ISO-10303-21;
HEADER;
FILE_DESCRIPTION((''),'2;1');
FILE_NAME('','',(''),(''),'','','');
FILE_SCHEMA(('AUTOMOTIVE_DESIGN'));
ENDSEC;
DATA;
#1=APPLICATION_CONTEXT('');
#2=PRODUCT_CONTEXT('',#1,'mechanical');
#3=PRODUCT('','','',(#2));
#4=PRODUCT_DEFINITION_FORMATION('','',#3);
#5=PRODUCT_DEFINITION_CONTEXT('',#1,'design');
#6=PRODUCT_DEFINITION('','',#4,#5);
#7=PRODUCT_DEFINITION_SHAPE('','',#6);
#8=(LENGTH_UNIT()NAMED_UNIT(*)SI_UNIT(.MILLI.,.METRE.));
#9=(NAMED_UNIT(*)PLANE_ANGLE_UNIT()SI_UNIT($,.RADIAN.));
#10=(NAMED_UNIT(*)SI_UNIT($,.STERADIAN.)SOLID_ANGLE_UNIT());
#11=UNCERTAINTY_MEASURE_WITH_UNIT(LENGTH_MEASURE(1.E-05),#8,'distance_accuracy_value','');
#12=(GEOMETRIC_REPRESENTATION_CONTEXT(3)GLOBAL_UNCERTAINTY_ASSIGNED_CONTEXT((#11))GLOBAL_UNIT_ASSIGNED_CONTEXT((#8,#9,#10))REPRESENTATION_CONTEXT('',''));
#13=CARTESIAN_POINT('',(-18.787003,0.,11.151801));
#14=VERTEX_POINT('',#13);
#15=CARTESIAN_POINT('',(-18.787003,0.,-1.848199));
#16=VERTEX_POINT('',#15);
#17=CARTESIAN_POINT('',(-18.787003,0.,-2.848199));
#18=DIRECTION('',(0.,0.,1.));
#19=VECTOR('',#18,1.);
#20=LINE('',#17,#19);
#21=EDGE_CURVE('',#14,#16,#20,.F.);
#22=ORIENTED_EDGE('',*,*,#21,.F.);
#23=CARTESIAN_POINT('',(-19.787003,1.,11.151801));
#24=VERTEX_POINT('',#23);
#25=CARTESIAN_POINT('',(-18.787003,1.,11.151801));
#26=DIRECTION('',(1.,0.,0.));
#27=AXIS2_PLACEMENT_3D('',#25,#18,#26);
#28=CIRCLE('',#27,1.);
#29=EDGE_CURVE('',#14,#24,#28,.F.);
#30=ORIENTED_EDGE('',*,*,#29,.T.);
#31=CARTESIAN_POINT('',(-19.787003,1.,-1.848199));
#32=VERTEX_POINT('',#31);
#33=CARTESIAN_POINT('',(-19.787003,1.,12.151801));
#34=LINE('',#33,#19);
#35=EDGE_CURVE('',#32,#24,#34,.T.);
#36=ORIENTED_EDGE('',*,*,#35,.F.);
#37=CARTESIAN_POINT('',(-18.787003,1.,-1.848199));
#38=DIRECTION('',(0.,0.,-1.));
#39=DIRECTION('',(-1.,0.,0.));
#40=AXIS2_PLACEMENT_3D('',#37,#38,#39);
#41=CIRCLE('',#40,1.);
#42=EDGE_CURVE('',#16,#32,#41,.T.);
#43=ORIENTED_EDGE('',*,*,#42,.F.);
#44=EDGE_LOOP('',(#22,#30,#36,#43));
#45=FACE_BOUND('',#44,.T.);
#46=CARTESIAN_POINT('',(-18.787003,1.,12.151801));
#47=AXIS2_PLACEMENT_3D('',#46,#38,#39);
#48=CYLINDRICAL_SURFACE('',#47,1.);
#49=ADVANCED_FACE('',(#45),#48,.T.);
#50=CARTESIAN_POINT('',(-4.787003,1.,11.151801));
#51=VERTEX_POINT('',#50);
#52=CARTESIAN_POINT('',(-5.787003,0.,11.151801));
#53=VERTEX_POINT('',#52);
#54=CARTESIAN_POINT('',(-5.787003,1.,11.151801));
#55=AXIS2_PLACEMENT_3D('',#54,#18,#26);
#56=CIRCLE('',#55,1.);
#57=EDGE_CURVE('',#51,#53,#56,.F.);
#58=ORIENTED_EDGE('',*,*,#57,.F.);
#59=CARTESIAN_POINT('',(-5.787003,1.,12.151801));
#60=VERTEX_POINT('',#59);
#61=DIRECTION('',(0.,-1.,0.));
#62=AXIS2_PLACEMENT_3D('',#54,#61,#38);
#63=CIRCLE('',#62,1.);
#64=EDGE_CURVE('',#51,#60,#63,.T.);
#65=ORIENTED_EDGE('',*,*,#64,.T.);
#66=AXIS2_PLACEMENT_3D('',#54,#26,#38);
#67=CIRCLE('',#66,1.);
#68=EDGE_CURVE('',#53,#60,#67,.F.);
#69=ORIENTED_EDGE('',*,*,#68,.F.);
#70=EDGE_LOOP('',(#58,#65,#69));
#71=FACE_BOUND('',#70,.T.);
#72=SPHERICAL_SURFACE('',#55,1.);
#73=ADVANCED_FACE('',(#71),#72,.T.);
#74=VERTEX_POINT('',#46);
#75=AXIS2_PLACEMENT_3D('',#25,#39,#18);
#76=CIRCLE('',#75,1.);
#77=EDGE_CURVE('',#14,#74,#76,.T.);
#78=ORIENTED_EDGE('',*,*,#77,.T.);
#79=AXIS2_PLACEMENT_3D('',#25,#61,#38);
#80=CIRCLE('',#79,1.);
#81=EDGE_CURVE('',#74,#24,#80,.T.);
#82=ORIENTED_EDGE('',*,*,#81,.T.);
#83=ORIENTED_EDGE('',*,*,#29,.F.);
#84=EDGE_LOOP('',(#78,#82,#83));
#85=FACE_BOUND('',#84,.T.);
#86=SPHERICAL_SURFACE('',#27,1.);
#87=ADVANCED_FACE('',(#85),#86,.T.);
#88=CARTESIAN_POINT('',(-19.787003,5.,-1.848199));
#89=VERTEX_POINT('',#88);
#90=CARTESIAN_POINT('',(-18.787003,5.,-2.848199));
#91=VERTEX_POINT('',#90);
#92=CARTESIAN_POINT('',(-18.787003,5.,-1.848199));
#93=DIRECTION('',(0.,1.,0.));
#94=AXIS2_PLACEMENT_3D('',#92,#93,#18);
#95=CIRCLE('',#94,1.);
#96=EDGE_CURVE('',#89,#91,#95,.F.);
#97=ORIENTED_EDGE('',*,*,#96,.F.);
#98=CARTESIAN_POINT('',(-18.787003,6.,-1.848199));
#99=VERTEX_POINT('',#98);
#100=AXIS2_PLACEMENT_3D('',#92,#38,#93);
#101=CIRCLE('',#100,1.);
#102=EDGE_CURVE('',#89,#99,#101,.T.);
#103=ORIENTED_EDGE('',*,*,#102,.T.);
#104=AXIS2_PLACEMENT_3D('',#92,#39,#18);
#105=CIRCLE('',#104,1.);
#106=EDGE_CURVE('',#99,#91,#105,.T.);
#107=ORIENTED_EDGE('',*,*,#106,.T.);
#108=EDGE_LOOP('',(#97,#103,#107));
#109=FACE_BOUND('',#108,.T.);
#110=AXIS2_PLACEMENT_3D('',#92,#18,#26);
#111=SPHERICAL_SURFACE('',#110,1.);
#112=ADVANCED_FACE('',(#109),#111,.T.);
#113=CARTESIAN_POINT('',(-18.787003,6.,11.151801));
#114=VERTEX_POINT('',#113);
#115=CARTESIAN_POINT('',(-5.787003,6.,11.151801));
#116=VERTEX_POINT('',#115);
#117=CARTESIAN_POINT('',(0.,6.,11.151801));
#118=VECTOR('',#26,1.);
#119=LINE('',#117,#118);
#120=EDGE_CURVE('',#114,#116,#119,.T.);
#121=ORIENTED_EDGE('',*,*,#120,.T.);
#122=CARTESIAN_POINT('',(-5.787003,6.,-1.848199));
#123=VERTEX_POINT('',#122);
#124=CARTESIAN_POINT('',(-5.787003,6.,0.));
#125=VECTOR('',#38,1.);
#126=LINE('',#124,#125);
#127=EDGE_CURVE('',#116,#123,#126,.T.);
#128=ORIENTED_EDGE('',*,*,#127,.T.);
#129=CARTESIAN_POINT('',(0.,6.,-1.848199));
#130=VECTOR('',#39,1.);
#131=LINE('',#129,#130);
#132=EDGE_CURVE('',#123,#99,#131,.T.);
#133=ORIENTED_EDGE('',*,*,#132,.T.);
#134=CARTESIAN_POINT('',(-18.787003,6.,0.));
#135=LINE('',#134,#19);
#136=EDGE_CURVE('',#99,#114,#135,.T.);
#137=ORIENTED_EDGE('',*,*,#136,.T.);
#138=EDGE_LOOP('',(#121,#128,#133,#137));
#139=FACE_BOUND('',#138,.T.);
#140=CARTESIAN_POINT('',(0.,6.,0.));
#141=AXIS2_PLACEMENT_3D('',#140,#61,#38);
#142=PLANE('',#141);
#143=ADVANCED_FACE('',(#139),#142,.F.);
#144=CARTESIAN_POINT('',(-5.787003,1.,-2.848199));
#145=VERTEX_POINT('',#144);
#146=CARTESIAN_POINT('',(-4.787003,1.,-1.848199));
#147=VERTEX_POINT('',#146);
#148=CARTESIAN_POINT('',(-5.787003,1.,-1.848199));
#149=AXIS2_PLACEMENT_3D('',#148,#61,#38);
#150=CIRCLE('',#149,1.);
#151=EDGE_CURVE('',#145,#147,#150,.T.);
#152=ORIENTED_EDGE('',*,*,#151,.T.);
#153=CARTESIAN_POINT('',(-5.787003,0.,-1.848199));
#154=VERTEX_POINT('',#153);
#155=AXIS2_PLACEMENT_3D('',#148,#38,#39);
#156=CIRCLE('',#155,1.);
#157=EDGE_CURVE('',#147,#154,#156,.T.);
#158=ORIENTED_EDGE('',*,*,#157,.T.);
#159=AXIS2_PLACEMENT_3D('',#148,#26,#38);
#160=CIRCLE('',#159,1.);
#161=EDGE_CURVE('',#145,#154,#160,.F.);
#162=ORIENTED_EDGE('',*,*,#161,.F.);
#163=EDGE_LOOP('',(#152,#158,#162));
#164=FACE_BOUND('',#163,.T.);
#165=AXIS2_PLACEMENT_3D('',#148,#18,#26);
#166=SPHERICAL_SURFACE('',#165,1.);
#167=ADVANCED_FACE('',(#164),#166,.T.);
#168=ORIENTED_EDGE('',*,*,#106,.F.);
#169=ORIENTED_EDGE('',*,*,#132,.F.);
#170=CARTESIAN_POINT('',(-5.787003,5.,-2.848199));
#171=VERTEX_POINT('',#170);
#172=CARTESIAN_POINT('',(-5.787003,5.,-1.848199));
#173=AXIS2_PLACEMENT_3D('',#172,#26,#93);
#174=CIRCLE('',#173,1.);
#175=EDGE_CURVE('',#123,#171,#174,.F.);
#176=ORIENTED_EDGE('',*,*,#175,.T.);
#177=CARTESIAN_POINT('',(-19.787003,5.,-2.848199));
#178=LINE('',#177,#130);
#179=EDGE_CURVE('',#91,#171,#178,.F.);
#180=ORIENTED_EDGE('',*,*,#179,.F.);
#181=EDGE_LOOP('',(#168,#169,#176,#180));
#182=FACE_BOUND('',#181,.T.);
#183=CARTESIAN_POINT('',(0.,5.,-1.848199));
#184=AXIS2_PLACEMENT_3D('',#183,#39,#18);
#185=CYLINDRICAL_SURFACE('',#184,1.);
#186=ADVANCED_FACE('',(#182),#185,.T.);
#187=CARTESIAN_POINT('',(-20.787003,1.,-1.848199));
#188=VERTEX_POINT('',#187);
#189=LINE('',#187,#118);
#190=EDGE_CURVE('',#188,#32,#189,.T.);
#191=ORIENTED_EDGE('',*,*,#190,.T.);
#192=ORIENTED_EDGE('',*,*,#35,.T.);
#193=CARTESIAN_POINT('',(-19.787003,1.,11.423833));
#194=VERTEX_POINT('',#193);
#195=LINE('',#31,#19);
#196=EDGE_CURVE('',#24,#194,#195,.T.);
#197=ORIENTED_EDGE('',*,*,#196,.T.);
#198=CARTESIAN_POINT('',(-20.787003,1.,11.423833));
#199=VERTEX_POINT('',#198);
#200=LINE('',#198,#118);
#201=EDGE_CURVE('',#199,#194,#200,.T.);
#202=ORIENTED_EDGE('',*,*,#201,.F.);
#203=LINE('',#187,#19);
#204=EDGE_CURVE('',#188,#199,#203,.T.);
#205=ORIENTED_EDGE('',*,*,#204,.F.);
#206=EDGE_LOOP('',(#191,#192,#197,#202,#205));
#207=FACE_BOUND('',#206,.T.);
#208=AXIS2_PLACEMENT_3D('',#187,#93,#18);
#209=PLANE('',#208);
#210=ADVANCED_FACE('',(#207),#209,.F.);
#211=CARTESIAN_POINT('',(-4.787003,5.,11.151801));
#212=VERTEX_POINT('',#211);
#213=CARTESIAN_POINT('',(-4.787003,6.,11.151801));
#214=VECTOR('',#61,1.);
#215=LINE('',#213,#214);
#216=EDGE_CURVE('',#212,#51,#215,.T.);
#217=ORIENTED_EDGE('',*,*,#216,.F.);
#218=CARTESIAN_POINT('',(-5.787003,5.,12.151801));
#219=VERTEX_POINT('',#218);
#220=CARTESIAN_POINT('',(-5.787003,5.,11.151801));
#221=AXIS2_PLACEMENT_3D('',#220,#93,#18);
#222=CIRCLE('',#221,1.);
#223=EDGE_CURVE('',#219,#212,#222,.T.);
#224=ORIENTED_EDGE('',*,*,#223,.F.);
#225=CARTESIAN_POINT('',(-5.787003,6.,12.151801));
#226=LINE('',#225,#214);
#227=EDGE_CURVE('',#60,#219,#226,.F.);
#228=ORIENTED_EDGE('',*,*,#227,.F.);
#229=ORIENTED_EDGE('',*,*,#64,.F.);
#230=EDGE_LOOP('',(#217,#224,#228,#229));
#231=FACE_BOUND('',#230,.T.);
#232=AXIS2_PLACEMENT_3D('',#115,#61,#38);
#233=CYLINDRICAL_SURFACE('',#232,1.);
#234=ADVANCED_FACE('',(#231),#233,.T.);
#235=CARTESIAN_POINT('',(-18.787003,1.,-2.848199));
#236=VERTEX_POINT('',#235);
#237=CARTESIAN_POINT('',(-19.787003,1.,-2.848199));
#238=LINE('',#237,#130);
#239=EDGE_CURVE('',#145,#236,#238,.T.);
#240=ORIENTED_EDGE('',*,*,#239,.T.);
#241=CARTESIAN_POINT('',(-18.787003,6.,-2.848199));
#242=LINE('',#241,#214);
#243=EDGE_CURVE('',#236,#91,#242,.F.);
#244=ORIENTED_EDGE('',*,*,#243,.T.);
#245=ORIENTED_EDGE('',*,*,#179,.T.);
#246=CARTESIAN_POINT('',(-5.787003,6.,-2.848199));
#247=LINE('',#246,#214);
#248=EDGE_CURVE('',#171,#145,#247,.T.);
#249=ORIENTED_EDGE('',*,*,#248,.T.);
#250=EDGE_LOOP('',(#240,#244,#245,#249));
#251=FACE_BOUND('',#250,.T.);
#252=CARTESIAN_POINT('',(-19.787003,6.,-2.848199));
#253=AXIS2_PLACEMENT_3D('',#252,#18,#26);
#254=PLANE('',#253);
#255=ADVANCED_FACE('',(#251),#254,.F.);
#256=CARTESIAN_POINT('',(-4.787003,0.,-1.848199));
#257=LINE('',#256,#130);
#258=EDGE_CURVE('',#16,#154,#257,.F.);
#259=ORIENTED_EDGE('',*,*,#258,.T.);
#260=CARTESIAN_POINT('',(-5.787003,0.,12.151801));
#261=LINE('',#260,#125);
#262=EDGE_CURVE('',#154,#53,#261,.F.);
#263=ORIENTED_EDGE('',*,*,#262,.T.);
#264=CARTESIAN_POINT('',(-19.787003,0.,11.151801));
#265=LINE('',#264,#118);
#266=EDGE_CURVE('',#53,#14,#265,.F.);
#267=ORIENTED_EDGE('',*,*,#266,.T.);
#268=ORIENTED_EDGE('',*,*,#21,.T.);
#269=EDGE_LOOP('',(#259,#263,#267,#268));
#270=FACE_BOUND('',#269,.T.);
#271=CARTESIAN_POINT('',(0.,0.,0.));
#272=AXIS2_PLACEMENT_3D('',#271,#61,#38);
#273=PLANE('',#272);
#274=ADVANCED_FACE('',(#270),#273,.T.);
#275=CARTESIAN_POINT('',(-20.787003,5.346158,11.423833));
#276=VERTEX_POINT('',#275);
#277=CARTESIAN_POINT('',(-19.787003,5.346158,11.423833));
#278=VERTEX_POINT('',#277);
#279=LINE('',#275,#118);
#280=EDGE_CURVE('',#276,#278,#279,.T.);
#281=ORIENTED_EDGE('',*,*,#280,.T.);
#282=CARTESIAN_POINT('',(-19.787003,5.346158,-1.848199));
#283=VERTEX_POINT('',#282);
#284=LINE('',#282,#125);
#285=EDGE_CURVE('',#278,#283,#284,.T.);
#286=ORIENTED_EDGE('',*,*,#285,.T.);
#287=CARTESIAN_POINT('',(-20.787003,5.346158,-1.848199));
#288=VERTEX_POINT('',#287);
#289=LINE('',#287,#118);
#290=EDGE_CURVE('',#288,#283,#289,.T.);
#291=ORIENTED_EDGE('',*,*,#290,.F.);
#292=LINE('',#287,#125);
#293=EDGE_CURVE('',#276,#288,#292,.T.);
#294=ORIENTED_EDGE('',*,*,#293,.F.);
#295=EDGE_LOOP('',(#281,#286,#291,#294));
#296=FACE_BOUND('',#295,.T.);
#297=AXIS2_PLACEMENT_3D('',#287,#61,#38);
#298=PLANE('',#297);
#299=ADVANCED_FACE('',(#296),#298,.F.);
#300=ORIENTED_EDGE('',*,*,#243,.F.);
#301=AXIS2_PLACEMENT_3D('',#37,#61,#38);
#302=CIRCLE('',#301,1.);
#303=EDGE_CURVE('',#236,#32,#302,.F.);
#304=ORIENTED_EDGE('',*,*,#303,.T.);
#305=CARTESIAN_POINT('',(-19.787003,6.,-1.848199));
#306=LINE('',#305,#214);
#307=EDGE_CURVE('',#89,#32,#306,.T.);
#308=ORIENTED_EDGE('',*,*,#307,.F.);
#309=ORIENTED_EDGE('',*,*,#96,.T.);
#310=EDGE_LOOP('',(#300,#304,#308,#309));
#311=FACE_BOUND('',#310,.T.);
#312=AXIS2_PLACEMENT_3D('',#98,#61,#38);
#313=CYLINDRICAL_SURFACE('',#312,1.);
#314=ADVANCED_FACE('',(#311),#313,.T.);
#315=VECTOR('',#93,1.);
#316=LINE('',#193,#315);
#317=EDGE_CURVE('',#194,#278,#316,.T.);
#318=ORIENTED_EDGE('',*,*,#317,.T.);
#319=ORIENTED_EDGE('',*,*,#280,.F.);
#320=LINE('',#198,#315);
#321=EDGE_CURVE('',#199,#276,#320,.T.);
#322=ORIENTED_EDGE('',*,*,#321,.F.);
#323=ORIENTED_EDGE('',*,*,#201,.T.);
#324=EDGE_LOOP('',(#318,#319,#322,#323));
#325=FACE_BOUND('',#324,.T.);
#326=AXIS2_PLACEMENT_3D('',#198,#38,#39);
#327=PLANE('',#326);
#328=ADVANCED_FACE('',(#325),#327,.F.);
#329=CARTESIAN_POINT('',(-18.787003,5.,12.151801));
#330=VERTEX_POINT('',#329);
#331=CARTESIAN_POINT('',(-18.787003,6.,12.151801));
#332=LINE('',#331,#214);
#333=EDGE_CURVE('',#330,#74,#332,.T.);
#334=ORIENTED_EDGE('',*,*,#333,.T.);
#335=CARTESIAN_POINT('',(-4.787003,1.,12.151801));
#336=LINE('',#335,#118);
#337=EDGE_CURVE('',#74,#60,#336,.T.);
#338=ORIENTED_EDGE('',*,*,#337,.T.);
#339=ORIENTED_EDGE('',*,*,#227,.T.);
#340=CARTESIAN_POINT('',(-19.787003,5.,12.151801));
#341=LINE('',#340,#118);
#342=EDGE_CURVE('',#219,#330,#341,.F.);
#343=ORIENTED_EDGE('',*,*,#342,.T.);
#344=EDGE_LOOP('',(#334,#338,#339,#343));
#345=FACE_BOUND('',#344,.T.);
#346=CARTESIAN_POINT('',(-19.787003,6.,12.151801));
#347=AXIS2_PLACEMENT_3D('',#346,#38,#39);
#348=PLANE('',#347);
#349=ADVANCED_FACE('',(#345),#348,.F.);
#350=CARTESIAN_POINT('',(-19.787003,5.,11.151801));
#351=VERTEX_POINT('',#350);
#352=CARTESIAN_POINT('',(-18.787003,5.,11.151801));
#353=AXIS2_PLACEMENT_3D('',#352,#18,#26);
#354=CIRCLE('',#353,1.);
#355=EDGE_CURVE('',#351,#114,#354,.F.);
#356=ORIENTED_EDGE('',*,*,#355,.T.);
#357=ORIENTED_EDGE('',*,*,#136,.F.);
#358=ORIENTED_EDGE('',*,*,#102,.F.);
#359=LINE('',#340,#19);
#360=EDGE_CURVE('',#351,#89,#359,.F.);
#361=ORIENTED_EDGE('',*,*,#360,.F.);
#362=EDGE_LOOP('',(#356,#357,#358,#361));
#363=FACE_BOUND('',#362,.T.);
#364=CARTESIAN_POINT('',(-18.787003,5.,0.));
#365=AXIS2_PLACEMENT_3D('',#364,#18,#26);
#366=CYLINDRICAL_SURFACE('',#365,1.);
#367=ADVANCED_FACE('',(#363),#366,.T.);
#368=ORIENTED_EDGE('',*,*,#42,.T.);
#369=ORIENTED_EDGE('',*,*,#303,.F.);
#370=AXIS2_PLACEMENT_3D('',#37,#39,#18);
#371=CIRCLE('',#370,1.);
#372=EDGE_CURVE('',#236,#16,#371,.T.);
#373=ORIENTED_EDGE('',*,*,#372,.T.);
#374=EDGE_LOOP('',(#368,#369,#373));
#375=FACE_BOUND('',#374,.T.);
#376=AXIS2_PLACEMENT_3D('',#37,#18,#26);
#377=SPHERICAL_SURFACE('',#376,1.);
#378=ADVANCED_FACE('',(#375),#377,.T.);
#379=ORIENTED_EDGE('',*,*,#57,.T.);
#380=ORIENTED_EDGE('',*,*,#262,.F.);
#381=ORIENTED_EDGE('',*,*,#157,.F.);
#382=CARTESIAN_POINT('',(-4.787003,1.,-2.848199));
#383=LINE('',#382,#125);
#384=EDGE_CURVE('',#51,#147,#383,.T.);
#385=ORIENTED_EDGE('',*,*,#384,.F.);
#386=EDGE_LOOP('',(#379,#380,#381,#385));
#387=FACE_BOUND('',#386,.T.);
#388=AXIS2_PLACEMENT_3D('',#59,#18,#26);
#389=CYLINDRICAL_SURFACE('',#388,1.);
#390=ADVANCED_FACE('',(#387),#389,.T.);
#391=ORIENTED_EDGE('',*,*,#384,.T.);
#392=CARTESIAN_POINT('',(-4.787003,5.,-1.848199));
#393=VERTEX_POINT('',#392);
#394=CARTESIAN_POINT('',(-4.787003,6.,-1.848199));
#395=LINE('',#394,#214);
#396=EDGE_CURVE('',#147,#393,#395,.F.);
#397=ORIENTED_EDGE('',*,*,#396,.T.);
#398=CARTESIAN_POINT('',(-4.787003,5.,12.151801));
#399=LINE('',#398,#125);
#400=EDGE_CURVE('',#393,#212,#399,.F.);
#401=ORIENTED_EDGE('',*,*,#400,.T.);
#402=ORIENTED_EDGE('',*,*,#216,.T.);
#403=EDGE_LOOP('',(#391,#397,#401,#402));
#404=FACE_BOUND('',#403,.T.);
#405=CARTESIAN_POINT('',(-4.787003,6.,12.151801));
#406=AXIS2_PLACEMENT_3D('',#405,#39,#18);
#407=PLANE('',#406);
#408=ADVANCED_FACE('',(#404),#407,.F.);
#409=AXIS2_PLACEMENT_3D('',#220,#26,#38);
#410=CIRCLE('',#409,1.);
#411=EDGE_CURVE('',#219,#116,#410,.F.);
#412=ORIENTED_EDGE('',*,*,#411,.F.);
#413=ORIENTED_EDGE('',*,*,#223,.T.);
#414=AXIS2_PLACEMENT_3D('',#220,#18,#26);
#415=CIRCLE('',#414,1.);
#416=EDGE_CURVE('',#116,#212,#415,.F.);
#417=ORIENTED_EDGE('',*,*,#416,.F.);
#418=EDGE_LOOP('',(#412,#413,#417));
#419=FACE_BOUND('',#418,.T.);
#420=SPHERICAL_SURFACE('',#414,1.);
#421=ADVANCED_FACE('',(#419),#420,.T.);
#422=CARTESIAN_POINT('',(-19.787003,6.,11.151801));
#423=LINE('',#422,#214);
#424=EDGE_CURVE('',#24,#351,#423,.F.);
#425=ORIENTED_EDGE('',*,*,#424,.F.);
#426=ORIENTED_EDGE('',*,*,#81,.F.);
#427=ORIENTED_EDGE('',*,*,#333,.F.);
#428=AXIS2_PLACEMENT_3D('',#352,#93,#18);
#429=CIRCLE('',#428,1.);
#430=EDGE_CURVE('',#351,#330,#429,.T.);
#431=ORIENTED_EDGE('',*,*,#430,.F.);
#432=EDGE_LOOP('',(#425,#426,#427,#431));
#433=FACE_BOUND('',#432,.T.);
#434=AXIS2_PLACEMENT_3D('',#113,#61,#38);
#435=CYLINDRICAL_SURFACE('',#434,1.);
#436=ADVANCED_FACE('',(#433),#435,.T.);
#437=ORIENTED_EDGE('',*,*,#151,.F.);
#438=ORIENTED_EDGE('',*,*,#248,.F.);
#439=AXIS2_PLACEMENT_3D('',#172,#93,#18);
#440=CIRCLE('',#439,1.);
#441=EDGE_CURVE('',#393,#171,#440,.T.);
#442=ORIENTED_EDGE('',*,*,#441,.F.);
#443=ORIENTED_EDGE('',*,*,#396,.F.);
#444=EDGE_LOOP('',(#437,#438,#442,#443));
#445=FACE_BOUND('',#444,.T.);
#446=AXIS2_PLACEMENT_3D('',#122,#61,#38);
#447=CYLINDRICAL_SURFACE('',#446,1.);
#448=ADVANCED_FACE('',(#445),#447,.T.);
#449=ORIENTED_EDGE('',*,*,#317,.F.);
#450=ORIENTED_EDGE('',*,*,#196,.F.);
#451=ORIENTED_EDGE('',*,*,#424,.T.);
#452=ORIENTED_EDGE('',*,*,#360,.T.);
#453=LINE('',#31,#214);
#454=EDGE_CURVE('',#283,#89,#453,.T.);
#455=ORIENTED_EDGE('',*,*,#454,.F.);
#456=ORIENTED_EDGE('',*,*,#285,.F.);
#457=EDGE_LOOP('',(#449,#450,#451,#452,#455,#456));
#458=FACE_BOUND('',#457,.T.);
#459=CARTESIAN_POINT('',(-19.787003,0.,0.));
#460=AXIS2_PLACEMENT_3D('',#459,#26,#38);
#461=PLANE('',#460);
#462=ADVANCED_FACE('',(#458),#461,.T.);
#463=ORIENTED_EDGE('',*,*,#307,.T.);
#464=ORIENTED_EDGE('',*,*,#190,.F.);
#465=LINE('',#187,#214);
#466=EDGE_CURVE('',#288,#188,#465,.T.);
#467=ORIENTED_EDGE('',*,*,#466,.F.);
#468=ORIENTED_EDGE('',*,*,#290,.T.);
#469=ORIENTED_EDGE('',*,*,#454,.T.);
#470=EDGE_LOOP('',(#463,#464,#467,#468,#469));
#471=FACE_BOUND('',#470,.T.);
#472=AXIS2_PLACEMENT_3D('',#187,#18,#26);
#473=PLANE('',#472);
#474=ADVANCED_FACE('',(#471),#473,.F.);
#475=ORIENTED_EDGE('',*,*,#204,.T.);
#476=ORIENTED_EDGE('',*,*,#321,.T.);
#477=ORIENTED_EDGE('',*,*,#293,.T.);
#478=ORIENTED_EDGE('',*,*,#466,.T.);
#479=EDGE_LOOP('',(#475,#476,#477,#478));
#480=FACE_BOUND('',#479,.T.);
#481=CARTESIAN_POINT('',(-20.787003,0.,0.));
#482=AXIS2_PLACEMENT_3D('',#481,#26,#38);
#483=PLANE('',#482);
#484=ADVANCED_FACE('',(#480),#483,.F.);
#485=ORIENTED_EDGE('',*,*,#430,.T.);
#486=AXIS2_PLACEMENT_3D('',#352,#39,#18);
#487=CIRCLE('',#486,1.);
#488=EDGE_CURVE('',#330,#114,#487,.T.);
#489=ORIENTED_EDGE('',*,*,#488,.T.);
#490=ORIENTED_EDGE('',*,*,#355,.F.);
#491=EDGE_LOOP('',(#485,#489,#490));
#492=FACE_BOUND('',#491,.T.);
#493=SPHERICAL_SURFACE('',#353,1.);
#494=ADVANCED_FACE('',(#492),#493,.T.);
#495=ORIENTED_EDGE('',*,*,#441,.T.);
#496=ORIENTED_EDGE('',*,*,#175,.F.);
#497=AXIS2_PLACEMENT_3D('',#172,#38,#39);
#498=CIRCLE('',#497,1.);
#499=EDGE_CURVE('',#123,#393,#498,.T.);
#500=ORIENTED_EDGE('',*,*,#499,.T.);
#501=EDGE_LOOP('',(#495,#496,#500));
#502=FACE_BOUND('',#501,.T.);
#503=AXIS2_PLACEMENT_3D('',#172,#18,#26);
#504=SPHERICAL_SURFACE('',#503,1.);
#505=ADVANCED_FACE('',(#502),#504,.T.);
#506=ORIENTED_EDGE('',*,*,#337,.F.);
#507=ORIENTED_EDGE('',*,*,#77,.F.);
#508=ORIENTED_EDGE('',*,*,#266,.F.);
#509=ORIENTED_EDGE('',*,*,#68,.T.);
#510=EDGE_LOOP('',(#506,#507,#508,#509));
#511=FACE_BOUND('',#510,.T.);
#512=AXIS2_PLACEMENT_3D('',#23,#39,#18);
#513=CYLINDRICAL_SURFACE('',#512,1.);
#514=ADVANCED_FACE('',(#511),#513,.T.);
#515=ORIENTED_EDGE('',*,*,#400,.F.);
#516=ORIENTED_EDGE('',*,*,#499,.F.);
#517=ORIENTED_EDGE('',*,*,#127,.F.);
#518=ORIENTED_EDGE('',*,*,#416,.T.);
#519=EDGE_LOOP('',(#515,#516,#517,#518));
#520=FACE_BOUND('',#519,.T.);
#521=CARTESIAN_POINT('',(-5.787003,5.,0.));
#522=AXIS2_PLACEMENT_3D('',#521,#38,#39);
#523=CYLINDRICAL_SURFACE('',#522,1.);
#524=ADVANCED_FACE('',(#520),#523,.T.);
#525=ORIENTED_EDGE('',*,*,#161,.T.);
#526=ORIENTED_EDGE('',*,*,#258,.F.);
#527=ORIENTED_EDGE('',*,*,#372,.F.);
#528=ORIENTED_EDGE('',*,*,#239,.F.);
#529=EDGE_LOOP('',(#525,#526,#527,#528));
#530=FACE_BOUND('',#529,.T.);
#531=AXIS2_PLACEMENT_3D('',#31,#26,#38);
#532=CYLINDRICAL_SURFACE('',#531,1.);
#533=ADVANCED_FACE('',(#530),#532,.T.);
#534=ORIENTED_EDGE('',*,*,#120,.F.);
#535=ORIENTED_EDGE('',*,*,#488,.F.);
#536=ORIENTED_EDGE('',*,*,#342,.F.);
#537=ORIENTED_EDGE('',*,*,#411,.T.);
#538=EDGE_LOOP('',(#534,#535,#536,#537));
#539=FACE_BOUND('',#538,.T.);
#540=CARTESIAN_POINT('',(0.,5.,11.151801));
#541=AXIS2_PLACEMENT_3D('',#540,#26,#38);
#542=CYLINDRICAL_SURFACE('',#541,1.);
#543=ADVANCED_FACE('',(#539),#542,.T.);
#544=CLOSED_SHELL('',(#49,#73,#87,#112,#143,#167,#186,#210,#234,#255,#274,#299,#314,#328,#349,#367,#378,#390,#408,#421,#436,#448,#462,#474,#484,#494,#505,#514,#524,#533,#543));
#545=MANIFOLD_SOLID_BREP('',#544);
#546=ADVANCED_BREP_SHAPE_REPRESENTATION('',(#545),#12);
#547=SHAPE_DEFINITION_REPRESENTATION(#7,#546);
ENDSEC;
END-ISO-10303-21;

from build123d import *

# Parameters (mm, degrees)
SKETCH1_W           = 15
SKETCH1_H           = 15
BOSS_EXTRUDE1_DEPTH = 6
FILLET1_R           = 1
SKETCH2_W           = 13.272032768
SKETCH2_H           = 4.346157801
BOSS_EXTRUDE2_DEPTH = 1


with BuildPart() as part:
    # Sketch1 → Boss-Extrude1 (new body)
    with BuildSketch(Plane(origin=(0, 0, 0), x_dir=(1, 0, 0), z_dir=(0, 1, 0))):
        with Locations((-12.287002789, -4.651800626)):
            Rectangle(SKETCH1_W, SKETCH1_H)
    extrude(amount=BOSS_EXTRUDE1_DEPTH)

    # Fillet1
    fillet1_edges = [part.edges().sort_by_distance(p)[0] for p in [
        (-4.787002789, 6, 4.651800626),
        (-12.287002789, 6, -2.848199374),
        (-19.787002789, 6, 4.651800626),
        (-12.287002789, 0, -2.848199374),
        (-4.787002789, 0, 4.651800626),
        (-12.287002789, 0, 12.151800626),
        (-19.787002789, 0, 4.651800626),
        (-12.287002789, 6, 12.151800626),
        (-19.787002789, 3, -2.848199374),
        (-4.787002789, 3, -2.848199374),
        (-4.787002789, 3, 12.151800626),
        (-19.787002789, 3, 12.151800626),
    ]]
    fillet(fillet1_edges, radius=FILLET1_R)

    # Sketch2 → Boss-Extrude2 (add)
    with BuildSketch(Plane.ZY.offset(19.787002789)):
        with Locations((4.78781701, 3.173078901)):
            Rectangle(SKETCH2_W, SKETCH2_H)
    extrude(amount=BOSS_EXTRUDE2_DEPTH)


solid = part.part
